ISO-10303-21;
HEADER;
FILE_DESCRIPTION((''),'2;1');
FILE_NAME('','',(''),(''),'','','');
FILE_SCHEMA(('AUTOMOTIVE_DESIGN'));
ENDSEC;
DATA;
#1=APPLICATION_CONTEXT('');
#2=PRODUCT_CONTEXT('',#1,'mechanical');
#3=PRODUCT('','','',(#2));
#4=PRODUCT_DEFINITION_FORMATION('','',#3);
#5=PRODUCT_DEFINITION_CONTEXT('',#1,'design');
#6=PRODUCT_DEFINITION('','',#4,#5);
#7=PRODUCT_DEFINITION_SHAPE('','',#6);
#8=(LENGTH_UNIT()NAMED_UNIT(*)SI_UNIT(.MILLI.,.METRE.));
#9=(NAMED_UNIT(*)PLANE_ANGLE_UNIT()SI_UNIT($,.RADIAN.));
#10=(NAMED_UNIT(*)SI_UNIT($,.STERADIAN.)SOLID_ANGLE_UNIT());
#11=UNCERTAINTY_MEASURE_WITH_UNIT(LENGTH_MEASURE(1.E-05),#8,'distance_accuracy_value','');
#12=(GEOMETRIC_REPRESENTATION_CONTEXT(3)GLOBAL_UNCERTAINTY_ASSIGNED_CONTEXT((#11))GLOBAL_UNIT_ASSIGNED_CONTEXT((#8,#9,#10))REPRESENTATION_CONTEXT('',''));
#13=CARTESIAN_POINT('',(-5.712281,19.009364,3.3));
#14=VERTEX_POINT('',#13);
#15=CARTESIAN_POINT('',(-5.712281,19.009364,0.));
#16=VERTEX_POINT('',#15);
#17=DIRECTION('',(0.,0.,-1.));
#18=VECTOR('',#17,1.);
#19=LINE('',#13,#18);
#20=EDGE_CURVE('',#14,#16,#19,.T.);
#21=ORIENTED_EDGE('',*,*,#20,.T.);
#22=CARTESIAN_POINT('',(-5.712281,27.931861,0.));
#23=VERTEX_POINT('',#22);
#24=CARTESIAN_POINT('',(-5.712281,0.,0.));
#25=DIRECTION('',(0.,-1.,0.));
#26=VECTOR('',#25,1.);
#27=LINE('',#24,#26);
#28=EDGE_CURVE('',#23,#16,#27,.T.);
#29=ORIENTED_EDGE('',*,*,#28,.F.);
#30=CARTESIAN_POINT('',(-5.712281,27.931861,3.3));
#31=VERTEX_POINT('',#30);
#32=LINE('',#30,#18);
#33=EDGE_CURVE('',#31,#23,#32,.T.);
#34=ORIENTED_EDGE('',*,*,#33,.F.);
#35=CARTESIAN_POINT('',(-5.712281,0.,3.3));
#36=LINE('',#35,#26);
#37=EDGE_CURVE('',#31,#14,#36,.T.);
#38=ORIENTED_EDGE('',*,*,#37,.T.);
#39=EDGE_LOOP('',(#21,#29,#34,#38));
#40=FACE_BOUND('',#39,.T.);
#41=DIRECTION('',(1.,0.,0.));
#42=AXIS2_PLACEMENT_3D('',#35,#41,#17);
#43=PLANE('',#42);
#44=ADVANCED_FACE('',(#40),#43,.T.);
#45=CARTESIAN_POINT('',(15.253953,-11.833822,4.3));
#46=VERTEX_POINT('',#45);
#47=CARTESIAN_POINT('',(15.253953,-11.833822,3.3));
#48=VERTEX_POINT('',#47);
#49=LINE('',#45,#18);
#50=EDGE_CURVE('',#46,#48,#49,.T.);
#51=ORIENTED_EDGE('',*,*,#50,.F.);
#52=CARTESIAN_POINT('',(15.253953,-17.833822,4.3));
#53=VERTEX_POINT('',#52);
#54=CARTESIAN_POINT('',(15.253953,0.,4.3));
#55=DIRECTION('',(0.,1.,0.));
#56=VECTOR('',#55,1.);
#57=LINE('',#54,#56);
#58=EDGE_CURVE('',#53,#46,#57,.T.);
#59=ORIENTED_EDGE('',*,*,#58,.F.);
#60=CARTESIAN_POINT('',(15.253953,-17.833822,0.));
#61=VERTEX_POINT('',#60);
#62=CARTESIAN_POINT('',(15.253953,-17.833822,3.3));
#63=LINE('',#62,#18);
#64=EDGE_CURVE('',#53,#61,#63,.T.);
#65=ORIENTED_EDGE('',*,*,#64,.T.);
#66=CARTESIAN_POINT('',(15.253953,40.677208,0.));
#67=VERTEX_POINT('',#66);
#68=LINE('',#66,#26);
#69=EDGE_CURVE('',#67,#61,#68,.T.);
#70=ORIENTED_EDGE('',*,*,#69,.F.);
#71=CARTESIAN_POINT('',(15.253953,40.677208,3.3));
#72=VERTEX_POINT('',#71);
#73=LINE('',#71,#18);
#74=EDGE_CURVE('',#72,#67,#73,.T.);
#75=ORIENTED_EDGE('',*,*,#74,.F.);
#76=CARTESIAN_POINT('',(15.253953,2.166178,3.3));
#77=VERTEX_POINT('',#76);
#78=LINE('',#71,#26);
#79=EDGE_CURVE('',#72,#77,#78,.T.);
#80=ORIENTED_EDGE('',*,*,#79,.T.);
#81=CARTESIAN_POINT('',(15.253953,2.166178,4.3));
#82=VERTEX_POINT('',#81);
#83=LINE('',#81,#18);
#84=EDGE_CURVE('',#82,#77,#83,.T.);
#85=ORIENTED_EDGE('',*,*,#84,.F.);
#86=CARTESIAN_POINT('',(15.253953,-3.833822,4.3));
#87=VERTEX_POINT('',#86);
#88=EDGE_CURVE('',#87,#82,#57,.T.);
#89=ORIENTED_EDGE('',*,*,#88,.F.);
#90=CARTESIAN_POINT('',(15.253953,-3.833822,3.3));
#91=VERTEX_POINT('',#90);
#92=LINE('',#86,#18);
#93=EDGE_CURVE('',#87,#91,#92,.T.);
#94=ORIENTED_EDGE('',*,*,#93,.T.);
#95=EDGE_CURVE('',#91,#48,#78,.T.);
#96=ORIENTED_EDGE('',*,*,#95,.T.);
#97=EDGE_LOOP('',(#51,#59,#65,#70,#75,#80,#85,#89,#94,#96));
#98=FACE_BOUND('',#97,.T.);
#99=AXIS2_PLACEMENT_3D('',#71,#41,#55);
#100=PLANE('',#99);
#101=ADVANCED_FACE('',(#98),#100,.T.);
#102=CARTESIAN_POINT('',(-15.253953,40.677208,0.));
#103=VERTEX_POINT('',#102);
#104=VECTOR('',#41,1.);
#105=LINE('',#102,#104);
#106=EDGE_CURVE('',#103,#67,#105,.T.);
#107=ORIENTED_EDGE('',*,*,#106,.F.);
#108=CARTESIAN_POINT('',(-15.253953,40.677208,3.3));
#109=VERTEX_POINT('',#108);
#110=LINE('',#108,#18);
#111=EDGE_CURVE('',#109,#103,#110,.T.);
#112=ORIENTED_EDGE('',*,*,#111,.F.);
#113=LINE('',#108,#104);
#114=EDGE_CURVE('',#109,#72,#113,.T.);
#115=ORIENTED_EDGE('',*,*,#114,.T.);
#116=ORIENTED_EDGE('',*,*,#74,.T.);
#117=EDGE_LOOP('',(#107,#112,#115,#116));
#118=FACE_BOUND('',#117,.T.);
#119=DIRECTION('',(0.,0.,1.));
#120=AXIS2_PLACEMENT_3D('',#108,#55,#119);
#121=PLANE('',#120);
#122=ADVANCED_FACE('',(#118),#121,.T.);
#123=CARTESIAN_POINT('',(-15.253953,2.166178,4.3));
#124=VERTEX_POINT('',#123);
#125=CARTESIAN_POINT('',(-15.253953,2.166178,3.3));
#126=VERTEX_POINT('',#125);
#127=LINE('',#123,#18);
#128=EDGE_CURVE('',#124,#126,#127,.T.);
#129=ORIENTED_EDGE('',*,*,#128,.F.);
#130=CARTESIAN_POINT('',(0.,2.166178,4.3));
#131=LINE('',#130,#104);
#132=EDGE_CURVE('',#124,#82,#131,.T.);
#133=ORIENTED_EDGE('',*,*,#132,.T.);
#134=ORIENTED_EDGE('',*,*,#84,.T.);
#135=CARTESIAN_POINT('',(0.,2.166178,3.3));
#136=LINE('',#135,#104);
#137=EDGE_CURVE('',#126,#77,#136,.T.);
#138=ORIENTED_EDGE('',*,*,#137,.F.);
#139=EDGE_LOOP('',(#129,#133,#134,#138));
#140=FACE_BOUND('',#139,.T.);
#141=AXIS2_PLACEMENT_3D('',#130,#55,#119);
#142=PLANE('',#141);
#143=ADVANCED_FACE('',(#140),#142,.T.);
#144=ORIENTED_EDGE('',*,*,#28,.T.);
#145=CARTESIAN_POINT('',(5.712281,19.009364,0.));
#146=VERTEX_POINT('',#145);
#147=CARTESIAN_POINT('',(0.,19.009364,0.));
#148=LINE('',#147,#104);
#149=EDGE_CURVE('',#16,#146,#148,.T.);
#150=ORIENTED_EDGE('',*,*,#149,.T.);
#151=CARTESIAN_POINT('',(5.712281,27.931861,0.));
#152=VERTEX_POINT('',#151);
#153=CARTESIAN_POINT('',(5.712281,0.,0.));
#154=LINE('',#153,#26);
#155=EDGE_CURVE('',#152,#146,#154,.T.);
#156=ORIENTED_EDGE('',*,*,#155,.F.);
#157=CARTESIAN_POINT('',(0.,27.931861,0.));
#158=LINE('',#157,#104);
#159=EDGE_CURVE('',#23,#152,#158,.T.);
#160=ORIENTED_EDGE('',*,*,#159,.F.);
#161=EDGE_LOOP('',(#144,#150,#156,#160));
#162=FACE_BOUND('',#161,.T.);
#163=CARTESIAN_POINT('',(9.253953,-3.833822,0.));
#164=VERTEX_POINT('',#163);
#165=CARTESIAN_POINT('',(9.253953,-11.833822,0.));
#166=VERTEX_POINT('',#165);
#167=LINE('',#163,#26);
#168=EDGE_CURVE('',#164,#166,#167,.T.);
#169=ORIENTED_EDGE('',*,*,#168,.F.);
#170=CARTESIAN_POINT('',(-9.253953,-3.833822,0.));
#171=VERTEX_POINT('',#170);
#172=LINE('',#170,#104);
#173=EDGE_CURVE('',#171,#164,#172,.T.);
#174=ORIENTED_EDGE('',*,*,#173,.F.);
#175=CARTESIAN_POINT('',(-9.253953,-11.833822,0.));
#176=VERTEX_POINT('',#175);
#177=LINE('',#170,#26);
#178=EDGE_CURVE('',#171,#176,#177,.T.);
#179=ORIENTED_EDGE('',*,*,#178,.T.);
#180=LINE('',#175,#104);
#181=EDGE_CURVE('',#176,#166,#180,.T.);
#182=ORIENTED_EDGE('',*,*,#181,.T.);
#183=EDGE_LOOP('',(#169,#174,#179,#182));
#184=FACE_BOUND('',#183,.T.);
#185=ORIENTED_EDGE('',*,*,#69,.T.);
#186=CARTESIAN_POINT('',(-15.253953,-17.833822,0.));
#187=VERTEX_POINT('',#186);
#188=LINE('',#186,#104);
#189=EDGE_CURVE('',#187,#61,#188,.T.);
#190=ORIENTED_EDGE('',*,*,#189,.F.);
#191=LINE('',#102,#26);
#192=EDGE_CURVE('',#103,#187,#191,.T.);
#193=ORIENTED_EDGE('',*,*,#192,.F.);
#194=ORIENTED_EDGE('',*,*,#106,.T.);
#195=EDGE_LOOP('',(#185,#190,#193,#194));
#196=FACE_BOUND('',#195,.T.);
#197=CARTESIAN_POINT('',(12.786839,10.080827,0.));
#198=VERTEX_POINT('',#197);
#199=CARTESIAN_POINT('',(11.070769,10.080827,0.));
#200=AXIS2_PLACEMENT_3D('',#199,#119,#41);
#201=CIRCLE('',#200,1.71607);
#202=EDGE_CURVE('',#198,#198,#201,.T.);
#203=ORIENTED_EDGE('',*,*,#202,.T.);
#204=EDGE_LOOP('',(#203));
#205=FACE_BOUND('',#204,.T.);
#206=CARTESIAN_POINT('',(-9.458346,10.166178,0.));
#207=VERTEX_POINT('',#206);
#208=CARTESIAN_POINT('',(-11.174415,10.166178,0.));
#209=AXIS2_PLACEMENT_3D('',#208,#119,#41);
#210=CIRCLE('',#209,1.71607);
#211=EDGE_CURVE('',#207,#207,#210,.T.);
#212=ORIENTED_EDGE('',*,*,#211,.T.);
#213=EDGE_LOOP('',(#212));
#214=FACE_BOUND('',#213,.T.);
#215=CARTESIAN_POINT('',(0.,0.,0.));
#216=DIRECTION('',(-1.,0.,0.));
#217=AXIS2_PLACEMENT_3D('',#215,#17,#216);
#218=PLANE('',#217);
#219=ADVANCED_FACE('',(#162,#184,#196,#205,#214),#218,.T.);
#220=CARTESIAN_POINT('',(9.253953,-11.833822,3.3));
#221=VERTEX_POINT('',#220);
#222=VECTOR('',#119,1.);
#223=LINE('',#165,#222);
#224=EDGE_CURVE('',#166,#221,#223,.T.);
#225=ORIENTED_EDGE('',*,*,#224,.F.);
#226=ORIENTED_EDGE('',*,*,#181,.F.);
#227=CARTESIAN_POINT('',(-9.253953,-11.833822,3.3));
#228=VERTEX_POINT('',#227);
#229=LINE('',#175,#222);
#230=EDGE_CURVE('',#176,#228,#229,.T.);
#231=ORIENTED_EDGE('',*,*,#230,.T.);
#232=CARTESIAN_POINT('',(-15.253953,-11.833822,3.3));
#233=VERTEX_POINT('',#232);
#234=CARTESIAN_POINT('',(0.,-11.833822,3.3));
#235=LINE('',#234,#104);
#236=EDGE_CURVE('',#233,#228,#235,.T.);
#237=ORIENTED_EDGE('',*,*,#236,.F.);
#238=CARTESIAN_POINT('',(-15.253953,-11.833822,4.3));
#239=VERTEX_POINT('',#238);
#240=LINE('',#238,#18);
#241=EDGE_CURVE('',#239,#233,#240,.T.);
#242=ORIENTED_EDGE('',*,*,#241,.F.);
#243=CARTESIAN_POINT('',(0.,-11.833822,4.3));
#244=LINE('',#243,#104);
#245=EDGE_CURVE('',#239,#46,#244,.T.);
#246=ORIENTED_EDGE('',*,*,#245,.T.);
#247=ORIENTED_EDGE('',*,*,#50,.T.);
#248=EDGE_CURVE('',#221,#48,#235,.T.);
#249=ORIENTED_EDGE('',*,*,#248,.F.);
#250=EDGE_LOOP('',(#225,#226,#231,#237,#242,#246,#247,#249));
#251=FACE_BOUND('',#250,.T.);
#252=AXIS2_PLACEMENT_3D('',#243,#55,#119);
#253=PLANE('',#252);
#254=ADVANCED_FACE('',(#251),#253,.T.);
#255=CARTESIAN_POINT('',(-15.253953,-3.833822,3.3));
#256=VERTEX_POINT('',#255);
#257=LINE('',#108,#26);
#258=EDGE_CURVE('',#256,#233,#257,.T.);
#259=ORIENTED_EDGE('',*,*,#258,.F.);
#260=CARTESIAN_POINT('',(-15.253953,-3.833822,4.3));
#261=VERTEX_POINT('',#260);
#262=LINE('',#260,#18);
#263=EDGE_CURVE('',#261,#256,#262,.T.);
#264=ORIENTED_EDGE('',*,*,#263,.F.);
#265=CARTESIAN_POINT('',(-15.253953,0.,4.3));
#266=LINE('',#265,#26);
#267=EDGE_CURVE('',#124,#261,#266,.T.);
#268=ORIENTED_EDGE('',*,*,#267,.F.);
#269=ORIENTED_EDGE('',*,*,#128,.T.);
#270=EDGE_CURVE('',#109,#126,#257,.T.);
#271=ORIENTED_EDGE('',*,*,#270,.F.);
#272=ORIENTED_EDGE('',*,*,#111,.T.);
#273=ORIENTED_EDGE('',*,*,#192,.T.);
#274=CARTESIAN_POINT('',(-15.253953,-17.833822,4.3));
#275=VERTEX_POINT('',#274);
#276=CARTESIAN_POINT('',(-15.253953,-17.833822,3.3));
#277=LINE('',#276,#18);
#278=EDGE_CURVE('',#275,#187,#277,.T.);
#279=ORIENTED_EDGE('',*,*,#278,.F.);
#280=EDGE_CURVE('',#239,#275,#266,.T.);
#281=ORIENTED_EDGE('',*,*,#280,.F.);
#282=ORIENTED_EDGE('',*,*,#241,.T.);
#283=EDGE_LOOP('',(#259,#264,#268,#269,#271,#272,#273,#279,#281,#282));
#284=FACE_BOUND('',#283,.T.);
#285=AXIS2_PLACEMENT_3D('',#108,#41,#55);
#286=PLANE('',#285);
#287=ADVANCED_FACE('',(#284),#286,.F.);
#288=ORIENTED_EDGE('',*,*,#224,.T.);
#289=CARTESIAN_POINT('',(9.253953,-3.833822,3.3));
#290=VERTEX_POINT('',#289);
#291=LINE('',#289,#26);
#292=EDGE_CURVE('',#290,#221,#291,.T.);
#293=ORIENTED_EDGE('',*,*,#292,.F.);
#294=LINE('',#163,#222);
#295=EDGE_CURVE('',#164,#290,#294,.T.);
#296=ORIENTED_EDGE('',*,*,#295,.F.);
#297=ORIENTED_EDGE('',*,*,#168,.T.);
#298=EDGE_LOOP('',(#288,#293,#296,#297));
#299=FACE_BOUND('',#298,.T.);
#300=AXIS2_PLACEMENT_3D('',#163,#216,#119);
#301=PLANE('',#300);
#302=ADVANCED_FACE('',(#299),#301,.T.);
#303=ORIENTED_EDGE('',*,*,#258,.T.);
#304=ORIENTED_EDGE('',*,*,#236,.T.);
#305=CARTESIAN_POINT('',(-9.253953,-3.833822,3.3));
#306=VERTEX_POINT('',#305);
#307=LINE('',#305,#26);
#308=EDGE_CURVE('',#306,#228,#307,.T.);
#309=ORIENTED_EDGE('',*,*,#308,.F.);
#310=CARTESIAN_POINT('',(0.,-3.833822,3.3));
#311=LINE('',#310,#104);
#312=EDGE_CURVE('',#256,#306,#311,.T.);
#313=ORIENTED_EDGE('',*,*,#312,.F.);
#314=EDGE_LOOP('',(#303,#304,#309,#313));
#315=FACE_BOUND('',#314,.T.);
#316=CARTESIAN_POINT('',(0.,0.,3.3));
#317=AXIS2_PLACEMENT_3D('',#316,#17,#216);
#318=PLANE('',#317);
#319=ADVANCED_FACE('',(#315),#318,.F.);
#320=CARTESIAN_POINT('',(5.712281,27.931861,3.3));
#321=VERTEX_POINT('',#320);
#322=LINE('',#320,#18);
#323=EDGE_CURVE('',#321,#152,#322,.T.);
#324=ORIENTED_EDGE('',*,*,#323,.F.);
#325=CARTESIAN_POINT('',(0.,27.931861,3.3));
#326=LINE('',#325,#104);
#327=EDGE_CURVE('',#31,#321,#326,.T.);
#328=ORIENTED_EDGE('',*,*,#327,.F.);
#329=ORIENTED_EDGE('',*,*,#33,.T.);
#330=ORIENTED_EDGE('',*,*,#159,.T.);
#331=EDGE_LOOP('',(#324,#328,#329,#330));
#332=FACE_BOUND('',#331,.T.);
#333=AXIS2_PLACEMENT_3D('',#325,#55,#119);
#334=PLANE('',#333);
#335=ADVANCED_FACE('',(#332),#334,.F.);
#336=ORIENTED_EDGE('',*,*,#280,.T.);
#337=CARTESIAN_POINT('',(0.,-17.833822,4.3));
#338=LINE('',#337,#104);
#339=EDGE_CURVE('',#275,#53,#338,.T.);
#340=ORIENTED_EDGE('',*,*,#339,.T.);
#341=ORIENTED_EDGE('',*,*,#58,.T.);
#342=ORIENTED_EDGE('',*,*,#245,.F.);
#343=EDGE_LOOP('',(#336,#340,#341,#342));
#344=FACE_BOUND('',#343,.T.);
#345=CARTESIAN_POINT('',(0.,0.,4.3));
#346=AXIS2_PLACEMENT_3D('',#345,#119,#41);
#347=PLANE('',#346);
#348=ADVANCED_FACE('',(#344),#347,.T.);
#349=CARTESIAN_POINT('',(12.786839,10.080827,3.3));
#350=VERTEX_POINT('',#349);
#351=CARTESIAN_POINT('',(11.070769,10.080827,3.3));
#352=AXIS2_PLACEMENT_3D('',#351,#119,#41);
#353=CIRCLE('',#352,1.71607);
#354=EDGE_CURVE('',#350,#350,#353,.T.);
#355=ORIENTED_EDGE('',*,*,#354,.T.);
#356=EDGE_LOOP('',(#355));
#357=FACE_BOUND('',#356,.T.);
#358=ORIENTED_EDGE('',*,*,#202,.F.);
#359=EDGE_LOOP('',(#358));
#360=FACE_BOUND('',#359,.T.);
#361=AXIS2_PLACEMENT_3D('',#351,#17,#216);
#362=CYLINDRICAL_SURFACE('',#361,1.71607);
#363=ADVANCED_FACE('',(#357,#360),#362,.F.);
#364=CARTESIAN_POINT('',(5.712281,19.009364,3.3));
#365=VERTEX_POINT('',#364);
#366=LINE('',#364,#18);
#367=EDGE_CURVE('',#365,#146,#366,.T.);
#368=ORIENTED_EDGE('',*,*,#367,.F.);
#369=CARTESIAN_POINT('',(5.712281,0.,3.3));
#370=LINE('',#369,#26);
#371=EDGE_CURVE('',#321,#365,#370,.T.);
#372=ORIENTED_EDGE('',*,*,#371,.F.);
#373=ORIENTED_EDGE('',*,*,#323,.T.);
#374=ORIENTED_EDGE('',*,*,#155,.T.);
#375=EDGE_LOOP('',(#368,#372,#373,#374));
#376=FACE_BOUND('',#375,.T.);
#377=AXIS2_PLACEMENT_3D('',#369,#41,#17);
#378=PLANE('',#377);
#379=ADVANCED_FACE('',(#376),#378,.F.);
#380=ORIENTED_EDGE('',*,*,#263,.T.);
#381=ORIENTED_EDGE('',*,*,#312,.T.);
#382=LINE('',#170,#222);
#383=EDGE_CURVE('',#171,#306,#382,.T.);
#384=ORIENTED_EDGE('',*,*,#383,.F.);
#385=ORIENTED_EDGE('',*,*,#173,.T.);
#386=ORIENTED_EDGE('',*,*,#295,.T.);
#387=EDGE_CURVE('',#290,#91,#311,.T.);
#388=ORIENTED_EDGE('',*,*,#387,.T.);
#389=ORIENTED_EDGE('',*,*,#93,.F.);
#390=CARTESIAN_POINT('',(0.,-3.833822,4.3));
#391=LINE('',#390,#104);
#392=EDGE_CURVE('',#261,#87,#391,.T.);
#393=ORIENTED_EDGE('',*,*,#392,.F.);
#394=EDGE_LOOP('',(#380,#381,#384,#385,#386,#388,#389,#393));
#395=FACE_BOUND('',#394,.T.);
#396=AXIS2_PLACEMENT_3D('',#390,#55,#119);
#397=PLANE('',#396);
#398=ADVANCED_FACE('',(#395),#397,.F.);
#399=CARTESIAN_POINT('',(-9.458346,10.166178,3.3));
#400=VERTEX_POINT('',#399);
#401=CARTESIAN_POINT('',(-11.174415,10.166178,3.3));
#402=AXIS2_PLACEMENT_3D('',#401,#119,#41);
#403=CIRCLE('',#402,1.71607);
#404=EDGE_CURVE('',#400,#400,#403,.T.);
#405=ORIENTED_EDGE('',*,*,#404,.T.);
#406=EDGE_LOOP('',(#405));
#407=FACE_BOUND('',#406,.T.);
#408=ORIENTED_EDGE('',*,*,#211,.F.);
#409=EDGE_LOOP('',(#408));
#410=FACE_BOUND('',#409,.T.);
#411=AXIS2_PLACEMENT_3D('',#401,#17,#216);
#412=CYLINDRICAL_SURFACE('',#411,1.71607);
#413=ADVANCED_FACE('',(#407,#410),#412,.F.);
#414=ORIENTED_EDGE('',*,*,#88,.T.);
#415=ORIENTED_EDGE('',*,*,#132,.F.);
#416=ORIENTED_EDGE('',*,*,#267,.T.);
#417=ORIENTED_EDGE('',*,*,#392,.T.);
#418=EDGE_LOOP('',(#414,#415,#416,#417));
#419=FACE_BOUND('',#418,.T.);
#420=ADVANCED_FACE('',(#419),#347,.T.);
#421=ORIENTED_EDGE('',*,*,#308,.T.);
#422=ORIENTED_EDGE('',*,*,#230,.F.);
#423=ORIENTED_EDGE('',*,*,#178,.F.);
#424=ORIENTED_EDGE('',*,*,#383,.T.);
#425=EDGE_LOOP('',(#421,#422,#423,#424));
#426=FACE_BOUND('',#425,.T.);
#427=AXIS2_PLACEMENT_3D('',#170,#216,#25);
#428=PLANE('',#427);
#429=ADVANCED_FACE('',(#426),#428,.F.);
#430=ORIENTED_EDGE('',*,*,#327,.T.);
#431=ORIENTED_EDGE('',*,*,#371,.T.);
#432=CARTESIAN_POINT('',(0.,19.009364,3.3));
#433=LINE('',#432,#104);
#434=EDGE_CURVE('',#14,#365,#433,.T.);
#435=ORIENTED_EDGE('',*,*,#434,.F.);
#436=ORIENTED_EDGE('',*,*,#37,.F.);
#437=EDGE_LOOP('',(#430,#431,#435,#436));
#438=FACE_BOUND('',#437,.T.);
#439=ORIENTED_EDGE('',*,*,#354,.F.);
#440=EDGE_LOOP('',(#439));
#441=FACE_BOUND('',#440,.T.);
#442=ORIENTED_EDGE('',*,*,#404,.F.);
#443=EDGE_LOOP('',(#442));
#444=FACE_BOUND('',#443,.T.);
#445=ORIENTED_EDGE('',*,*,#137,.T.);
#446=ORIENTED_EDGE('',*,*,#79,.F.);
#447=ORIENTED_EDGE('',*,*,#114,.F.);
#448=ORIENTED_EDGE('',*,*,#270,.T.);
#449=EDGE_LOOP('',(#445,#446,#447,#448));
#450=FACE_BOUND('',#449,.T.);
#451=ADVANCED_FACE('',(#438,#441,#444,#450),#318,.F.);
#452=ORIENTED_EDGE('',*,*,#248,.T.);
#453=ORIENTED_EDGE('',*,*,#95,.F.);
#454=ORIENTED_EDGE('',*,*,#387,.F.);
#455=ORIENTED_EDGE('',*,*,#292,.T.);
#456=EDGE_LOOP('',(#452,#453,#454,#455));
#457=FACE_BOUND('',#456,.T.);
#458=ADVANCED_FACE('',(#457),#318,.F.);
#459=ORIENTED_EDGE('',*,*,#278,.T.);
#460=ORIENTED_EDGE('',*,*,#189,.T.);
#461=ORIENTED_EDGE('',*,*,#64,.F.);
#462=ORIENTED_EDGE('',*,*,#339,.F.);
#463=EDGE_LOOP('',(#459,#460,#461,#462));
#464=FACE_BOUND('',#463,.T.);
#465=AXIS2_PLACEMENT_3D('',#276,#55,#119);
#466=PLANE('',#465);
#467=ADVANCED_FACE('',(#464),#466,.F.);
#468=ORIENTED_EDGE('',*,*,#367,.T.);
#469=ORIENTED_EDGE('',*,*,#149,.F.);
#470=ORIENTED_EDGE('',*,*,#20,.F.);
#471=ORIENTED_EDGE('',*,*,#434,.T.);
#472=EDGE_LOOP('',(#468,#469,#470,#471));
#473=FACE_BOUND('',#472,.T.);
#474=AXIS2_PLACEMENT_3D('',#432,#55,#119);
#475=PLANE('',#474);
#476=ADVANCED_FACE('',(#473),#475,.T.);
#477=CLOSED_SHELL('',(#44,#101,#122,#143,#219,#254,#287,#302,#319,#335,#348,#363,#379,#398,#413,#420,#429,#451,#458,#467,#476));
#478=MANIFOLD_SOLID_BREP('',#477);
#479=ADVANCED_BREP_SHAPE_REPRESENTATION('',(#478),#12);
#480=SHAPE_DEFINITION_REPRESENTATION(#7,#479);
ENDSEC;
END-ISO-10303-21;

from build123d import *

# Parameters (mm, degrees)
SKETCH_1_W          = 30.50790567
SKETCH_1_H          = 58.511029644
SKETCH_1_R          = 1.716069694
SKETCH_1_W_2        = 11.42456148
SKETCH_1_H_2        = 8.922497171
EXTRUDE_1_DEPTH     = 3.3
SKETCH_2_W          = 30.50790567
SKETCH_2_H          = 6
EXTRUDE_2_DEPTH     = 1
SKETCH_3_W          = 18.50790567
SKETCH_3_H          = 8
CUT_EXTRUDE_1_DEPTH = 3.3


with BuildPart() as part:
    # 草圖1 → 填料-伸長1 (new body)
    with BuildSketch(Plane.XY):
        with Locations((0, 11.421692739)):
            Rectangle(SKETCH_1_W, SKETCH_1_H)
        with Locations((-11.174415212, 10.166177917)):
            Circle(SKETCH_1_R, mode=Mode.SUBTRACT)
        with Locations((11.070768934, 10.080826612)):
            Circle(SKETCH_1_R, mode=Mode.SUBTRACT)
        with Locations((0, 23.470612751)):
            Rectangle(SKETCH_1_W_2, SKETCH_1_H_2, mode=Mode.SUBTRACT)
    extrude(amount=EXTRUDE_1_DEPTH)

    # 草圖2 → 填料-伸長2 (add)
    with BuildSketch(Plane.XY.offset(3.3)):
        with Locations((0, -0.833822083)):
            Rectangle(SKETCH_2_W, SKETCH_2_H)
        with Locations((0, -14.833822083)):
            Rectangle(SKETCH_2_W, SKETCH_2_H)
    extrude(amount=EXTRUDE_2_DEPTH)

    # 草圖3 → 除料-伸長1 (cut)
    with BuildSketch(Plane.XY.offset(3.3)):
        with Locations((0, -7.833822083)):
            Rectangle(SKETCH_3_W, SKETCH_3_H)
    extrude(amount=-CUT_EXTRUDE_1_DEPTH, mode=Mode.SUBTRACT)


solid = part.part
